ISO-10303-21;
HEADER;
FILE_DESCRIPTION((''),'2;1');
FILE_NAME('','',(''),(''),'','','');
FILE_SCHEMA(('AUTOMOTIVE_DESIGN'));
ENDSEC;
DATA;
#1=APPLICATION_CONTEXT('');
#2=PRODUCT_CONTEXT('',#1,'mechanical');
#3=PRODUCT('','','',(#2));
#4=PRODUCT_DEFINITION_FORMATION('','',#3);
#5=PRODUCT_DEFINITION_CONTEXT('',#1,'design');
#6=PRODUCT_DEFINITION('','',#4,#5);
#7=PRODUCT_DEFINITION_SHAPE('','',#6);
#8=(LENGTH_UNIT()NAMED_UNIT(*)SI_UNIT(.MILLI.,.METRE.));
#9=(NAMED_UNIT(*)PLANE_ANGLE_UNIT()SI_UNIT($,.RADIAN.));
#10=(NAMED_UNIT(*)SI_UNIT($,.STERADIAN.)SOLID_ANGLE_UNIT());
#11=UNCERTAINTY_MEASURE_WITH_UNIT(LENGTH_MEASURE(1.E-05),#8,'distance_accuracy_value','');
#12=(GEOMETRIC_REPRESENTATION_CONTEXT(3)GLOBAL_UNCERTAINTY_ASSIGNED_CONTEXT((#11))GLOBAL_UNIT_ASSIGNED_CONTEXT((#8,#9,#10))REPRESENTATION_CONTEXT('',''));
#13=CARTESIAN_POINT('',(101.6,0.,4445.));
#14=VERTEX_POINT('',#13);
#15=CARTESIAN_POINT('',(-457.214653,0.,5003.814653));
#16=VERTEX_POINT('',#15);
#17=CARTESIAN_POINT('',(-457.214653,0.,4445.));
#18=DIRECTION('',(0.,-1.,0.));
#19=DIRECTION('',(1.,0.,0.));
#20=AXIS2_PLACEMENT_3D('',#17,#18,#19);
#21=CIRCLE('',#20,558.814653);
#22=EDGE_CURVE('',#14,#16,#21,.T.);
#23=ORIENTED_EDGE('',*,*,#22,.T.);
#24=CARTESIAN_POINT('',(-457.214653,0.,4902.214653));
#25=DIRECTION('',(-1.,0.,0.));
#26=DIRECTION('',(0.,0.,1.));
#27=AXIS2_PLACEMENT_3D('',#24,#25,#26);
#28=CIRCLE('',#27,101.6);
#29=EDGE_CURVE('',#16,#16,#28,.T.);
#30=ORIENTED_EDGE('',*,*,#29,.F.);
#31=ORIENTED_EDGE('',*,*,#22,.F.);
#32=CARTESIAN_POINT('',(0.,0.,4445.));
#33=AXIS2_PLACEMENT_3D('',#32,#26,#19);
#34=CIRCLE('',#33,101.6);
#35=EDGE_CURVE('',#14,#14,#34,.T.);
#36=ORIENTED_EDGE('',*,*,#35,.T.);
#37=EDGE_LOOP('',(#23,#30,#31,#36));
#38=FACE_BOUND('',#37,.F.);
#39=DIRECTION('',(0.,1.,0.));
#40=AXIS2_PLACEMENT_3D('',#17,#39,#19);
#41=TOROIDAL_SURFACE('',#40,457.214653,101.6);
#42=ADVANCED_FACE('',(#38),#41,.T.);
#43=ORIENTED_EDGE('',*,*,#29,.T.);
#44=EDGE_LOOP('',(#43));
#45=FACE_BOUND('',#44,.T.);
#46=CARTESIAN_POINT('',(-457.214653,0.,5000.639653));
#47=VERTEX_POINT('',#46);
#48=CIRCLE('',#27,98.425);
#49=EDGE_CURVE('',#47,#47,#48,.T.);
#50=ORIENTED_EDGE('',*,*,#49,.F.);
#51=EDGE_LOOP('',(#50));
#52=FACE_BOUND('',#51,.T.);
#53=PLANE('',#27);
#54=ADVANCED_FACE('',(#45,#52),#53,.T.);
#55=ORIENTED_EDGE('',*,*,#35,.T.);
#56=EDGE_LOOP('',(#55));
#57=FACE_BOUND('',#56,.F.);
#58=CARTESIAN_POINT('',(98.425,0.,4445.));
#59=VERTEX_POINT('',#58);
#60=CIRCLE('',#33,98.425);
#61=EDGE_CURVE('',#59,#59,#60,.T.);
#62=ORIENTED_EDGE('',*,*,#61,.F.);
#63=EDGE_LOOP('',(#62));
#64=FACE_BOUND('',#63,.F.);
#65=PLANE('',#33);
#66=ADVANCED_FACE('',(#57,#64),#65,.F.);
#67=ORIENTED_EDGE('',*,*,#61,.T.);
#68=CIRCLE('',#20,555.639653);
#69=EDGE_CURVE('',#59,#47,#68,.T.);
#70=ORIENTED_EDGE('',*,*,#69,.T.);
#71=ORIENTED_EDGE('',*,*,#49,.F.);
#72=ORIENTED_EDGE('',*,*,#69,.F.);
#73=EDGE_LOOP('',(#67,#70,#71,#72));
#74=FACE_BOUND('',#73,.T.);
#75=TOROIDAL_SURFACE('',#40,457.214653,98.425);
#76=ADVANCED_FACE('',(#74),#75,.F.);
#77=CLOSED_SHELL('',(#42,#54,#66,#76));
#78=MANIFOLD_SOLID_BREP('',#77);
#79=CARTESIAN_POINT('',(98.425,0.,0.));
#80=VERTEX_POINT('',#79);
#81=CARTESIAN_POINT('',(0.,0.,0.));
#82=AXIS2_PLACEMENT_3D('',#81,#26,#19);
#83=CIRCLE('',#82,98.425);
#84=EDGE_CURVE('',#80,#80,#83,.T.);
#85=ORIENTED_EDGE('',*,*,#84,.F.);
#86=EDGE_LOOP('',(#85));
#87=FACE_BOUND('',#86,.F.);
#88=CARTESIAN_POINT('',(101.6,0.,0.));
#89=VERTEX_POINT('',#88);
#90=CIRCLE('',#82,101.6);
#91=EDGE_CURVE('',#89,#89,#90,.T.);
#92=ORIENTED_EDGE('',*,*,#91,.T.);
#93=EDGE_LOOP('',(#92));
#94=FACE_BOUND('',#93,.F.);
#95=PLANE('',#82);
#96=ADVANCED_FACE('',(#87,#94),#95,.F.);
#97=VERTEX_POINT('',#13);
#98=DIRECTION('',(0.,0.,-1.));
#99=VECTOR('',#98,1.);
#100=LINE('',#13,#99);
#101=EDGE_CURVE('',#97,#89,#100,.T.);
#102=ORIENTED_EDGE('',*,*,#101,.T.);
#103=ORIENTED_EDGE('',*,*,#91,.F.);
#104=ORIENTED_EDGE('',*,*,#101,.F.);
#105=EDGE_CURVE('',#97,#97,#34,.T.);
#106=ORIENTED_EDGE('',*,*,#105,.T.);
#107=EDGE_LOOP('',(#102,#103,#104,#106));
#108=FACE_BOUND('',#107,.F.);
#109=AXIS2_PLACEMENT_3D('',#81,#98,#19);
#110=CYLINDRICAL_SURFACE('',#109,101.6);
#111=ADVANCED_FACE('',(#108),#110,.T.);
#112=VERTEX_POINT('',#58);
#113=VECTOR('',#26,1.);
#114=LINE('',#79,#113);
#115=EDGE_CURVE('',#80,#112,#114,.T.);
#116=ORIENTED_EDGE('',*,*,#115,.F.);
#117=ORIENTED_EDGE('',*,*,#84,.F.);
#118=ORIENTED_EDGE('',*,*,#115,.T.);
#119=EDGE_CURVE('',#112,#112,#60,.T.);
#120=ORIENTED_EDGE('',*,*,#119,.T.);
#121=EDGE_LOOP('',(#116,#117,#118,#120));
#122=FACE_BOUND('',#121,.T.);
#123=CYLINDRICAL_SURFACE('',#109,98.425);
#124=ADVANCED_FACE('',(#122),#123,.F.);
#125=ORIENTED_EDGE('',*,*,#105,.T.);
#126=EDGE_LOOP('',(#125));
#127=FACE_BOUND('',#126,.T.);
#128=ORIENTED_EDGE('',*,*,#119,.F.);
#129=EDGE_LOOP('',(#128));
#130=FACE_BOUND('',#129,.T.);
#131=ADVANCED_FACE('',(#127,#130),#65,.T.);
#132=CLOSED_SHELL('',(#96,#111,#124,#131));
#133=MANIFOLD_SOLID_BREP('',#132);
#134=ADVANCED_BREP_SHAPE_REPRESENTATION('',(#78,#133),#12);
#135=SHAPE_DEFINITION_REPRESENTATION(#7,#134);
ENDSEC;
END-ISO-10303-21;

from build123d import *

# Parameters (mm, degrees)
F6_R     = 101.6
F6_R_2   = 98.425
F7_ANGLE = 90
F5_R     = 101.6
F5_R_2   = 98.425
F8_DEPTH = 1206.5
F1_R     = 101.6
F1_R_2   = 98.425
F9_DEPTH = 3238.5


with BuildPart() as f7:
    # F6 (on line) → F7 (revolve)
    with BuildSketch(Plane.XY.offset(4445)):
        Circle(F6_R)
        Circle(F6_R_2, mode=Mode.SUBTRACT)
    revolve(axis=Axis((-457.214653492, -101.6, 4445), (0, -1, 0)), revolution_arc=F7_ANGLE)


with BuildPart() as f8:
    # F5 (on line) → F8 (new body)
    with BuildSketch(Plane.XY.offset(3238.5)):
        Circle(F5_R)
        Circle(F5_R_2, mode=Mode.SUBTRACT)
    extrude(amount=F8_DEPTH)

    # F1 (on Top) → F9 (join)
    with BuildSketch(Plane.XY):
        Circle(F1_R)
        Circle(F1_R_2, mode=Mode.SUBTRACT)
    extrude(amount=F9_DEPTH)


solid = Compound([f7.part, f8.part])
